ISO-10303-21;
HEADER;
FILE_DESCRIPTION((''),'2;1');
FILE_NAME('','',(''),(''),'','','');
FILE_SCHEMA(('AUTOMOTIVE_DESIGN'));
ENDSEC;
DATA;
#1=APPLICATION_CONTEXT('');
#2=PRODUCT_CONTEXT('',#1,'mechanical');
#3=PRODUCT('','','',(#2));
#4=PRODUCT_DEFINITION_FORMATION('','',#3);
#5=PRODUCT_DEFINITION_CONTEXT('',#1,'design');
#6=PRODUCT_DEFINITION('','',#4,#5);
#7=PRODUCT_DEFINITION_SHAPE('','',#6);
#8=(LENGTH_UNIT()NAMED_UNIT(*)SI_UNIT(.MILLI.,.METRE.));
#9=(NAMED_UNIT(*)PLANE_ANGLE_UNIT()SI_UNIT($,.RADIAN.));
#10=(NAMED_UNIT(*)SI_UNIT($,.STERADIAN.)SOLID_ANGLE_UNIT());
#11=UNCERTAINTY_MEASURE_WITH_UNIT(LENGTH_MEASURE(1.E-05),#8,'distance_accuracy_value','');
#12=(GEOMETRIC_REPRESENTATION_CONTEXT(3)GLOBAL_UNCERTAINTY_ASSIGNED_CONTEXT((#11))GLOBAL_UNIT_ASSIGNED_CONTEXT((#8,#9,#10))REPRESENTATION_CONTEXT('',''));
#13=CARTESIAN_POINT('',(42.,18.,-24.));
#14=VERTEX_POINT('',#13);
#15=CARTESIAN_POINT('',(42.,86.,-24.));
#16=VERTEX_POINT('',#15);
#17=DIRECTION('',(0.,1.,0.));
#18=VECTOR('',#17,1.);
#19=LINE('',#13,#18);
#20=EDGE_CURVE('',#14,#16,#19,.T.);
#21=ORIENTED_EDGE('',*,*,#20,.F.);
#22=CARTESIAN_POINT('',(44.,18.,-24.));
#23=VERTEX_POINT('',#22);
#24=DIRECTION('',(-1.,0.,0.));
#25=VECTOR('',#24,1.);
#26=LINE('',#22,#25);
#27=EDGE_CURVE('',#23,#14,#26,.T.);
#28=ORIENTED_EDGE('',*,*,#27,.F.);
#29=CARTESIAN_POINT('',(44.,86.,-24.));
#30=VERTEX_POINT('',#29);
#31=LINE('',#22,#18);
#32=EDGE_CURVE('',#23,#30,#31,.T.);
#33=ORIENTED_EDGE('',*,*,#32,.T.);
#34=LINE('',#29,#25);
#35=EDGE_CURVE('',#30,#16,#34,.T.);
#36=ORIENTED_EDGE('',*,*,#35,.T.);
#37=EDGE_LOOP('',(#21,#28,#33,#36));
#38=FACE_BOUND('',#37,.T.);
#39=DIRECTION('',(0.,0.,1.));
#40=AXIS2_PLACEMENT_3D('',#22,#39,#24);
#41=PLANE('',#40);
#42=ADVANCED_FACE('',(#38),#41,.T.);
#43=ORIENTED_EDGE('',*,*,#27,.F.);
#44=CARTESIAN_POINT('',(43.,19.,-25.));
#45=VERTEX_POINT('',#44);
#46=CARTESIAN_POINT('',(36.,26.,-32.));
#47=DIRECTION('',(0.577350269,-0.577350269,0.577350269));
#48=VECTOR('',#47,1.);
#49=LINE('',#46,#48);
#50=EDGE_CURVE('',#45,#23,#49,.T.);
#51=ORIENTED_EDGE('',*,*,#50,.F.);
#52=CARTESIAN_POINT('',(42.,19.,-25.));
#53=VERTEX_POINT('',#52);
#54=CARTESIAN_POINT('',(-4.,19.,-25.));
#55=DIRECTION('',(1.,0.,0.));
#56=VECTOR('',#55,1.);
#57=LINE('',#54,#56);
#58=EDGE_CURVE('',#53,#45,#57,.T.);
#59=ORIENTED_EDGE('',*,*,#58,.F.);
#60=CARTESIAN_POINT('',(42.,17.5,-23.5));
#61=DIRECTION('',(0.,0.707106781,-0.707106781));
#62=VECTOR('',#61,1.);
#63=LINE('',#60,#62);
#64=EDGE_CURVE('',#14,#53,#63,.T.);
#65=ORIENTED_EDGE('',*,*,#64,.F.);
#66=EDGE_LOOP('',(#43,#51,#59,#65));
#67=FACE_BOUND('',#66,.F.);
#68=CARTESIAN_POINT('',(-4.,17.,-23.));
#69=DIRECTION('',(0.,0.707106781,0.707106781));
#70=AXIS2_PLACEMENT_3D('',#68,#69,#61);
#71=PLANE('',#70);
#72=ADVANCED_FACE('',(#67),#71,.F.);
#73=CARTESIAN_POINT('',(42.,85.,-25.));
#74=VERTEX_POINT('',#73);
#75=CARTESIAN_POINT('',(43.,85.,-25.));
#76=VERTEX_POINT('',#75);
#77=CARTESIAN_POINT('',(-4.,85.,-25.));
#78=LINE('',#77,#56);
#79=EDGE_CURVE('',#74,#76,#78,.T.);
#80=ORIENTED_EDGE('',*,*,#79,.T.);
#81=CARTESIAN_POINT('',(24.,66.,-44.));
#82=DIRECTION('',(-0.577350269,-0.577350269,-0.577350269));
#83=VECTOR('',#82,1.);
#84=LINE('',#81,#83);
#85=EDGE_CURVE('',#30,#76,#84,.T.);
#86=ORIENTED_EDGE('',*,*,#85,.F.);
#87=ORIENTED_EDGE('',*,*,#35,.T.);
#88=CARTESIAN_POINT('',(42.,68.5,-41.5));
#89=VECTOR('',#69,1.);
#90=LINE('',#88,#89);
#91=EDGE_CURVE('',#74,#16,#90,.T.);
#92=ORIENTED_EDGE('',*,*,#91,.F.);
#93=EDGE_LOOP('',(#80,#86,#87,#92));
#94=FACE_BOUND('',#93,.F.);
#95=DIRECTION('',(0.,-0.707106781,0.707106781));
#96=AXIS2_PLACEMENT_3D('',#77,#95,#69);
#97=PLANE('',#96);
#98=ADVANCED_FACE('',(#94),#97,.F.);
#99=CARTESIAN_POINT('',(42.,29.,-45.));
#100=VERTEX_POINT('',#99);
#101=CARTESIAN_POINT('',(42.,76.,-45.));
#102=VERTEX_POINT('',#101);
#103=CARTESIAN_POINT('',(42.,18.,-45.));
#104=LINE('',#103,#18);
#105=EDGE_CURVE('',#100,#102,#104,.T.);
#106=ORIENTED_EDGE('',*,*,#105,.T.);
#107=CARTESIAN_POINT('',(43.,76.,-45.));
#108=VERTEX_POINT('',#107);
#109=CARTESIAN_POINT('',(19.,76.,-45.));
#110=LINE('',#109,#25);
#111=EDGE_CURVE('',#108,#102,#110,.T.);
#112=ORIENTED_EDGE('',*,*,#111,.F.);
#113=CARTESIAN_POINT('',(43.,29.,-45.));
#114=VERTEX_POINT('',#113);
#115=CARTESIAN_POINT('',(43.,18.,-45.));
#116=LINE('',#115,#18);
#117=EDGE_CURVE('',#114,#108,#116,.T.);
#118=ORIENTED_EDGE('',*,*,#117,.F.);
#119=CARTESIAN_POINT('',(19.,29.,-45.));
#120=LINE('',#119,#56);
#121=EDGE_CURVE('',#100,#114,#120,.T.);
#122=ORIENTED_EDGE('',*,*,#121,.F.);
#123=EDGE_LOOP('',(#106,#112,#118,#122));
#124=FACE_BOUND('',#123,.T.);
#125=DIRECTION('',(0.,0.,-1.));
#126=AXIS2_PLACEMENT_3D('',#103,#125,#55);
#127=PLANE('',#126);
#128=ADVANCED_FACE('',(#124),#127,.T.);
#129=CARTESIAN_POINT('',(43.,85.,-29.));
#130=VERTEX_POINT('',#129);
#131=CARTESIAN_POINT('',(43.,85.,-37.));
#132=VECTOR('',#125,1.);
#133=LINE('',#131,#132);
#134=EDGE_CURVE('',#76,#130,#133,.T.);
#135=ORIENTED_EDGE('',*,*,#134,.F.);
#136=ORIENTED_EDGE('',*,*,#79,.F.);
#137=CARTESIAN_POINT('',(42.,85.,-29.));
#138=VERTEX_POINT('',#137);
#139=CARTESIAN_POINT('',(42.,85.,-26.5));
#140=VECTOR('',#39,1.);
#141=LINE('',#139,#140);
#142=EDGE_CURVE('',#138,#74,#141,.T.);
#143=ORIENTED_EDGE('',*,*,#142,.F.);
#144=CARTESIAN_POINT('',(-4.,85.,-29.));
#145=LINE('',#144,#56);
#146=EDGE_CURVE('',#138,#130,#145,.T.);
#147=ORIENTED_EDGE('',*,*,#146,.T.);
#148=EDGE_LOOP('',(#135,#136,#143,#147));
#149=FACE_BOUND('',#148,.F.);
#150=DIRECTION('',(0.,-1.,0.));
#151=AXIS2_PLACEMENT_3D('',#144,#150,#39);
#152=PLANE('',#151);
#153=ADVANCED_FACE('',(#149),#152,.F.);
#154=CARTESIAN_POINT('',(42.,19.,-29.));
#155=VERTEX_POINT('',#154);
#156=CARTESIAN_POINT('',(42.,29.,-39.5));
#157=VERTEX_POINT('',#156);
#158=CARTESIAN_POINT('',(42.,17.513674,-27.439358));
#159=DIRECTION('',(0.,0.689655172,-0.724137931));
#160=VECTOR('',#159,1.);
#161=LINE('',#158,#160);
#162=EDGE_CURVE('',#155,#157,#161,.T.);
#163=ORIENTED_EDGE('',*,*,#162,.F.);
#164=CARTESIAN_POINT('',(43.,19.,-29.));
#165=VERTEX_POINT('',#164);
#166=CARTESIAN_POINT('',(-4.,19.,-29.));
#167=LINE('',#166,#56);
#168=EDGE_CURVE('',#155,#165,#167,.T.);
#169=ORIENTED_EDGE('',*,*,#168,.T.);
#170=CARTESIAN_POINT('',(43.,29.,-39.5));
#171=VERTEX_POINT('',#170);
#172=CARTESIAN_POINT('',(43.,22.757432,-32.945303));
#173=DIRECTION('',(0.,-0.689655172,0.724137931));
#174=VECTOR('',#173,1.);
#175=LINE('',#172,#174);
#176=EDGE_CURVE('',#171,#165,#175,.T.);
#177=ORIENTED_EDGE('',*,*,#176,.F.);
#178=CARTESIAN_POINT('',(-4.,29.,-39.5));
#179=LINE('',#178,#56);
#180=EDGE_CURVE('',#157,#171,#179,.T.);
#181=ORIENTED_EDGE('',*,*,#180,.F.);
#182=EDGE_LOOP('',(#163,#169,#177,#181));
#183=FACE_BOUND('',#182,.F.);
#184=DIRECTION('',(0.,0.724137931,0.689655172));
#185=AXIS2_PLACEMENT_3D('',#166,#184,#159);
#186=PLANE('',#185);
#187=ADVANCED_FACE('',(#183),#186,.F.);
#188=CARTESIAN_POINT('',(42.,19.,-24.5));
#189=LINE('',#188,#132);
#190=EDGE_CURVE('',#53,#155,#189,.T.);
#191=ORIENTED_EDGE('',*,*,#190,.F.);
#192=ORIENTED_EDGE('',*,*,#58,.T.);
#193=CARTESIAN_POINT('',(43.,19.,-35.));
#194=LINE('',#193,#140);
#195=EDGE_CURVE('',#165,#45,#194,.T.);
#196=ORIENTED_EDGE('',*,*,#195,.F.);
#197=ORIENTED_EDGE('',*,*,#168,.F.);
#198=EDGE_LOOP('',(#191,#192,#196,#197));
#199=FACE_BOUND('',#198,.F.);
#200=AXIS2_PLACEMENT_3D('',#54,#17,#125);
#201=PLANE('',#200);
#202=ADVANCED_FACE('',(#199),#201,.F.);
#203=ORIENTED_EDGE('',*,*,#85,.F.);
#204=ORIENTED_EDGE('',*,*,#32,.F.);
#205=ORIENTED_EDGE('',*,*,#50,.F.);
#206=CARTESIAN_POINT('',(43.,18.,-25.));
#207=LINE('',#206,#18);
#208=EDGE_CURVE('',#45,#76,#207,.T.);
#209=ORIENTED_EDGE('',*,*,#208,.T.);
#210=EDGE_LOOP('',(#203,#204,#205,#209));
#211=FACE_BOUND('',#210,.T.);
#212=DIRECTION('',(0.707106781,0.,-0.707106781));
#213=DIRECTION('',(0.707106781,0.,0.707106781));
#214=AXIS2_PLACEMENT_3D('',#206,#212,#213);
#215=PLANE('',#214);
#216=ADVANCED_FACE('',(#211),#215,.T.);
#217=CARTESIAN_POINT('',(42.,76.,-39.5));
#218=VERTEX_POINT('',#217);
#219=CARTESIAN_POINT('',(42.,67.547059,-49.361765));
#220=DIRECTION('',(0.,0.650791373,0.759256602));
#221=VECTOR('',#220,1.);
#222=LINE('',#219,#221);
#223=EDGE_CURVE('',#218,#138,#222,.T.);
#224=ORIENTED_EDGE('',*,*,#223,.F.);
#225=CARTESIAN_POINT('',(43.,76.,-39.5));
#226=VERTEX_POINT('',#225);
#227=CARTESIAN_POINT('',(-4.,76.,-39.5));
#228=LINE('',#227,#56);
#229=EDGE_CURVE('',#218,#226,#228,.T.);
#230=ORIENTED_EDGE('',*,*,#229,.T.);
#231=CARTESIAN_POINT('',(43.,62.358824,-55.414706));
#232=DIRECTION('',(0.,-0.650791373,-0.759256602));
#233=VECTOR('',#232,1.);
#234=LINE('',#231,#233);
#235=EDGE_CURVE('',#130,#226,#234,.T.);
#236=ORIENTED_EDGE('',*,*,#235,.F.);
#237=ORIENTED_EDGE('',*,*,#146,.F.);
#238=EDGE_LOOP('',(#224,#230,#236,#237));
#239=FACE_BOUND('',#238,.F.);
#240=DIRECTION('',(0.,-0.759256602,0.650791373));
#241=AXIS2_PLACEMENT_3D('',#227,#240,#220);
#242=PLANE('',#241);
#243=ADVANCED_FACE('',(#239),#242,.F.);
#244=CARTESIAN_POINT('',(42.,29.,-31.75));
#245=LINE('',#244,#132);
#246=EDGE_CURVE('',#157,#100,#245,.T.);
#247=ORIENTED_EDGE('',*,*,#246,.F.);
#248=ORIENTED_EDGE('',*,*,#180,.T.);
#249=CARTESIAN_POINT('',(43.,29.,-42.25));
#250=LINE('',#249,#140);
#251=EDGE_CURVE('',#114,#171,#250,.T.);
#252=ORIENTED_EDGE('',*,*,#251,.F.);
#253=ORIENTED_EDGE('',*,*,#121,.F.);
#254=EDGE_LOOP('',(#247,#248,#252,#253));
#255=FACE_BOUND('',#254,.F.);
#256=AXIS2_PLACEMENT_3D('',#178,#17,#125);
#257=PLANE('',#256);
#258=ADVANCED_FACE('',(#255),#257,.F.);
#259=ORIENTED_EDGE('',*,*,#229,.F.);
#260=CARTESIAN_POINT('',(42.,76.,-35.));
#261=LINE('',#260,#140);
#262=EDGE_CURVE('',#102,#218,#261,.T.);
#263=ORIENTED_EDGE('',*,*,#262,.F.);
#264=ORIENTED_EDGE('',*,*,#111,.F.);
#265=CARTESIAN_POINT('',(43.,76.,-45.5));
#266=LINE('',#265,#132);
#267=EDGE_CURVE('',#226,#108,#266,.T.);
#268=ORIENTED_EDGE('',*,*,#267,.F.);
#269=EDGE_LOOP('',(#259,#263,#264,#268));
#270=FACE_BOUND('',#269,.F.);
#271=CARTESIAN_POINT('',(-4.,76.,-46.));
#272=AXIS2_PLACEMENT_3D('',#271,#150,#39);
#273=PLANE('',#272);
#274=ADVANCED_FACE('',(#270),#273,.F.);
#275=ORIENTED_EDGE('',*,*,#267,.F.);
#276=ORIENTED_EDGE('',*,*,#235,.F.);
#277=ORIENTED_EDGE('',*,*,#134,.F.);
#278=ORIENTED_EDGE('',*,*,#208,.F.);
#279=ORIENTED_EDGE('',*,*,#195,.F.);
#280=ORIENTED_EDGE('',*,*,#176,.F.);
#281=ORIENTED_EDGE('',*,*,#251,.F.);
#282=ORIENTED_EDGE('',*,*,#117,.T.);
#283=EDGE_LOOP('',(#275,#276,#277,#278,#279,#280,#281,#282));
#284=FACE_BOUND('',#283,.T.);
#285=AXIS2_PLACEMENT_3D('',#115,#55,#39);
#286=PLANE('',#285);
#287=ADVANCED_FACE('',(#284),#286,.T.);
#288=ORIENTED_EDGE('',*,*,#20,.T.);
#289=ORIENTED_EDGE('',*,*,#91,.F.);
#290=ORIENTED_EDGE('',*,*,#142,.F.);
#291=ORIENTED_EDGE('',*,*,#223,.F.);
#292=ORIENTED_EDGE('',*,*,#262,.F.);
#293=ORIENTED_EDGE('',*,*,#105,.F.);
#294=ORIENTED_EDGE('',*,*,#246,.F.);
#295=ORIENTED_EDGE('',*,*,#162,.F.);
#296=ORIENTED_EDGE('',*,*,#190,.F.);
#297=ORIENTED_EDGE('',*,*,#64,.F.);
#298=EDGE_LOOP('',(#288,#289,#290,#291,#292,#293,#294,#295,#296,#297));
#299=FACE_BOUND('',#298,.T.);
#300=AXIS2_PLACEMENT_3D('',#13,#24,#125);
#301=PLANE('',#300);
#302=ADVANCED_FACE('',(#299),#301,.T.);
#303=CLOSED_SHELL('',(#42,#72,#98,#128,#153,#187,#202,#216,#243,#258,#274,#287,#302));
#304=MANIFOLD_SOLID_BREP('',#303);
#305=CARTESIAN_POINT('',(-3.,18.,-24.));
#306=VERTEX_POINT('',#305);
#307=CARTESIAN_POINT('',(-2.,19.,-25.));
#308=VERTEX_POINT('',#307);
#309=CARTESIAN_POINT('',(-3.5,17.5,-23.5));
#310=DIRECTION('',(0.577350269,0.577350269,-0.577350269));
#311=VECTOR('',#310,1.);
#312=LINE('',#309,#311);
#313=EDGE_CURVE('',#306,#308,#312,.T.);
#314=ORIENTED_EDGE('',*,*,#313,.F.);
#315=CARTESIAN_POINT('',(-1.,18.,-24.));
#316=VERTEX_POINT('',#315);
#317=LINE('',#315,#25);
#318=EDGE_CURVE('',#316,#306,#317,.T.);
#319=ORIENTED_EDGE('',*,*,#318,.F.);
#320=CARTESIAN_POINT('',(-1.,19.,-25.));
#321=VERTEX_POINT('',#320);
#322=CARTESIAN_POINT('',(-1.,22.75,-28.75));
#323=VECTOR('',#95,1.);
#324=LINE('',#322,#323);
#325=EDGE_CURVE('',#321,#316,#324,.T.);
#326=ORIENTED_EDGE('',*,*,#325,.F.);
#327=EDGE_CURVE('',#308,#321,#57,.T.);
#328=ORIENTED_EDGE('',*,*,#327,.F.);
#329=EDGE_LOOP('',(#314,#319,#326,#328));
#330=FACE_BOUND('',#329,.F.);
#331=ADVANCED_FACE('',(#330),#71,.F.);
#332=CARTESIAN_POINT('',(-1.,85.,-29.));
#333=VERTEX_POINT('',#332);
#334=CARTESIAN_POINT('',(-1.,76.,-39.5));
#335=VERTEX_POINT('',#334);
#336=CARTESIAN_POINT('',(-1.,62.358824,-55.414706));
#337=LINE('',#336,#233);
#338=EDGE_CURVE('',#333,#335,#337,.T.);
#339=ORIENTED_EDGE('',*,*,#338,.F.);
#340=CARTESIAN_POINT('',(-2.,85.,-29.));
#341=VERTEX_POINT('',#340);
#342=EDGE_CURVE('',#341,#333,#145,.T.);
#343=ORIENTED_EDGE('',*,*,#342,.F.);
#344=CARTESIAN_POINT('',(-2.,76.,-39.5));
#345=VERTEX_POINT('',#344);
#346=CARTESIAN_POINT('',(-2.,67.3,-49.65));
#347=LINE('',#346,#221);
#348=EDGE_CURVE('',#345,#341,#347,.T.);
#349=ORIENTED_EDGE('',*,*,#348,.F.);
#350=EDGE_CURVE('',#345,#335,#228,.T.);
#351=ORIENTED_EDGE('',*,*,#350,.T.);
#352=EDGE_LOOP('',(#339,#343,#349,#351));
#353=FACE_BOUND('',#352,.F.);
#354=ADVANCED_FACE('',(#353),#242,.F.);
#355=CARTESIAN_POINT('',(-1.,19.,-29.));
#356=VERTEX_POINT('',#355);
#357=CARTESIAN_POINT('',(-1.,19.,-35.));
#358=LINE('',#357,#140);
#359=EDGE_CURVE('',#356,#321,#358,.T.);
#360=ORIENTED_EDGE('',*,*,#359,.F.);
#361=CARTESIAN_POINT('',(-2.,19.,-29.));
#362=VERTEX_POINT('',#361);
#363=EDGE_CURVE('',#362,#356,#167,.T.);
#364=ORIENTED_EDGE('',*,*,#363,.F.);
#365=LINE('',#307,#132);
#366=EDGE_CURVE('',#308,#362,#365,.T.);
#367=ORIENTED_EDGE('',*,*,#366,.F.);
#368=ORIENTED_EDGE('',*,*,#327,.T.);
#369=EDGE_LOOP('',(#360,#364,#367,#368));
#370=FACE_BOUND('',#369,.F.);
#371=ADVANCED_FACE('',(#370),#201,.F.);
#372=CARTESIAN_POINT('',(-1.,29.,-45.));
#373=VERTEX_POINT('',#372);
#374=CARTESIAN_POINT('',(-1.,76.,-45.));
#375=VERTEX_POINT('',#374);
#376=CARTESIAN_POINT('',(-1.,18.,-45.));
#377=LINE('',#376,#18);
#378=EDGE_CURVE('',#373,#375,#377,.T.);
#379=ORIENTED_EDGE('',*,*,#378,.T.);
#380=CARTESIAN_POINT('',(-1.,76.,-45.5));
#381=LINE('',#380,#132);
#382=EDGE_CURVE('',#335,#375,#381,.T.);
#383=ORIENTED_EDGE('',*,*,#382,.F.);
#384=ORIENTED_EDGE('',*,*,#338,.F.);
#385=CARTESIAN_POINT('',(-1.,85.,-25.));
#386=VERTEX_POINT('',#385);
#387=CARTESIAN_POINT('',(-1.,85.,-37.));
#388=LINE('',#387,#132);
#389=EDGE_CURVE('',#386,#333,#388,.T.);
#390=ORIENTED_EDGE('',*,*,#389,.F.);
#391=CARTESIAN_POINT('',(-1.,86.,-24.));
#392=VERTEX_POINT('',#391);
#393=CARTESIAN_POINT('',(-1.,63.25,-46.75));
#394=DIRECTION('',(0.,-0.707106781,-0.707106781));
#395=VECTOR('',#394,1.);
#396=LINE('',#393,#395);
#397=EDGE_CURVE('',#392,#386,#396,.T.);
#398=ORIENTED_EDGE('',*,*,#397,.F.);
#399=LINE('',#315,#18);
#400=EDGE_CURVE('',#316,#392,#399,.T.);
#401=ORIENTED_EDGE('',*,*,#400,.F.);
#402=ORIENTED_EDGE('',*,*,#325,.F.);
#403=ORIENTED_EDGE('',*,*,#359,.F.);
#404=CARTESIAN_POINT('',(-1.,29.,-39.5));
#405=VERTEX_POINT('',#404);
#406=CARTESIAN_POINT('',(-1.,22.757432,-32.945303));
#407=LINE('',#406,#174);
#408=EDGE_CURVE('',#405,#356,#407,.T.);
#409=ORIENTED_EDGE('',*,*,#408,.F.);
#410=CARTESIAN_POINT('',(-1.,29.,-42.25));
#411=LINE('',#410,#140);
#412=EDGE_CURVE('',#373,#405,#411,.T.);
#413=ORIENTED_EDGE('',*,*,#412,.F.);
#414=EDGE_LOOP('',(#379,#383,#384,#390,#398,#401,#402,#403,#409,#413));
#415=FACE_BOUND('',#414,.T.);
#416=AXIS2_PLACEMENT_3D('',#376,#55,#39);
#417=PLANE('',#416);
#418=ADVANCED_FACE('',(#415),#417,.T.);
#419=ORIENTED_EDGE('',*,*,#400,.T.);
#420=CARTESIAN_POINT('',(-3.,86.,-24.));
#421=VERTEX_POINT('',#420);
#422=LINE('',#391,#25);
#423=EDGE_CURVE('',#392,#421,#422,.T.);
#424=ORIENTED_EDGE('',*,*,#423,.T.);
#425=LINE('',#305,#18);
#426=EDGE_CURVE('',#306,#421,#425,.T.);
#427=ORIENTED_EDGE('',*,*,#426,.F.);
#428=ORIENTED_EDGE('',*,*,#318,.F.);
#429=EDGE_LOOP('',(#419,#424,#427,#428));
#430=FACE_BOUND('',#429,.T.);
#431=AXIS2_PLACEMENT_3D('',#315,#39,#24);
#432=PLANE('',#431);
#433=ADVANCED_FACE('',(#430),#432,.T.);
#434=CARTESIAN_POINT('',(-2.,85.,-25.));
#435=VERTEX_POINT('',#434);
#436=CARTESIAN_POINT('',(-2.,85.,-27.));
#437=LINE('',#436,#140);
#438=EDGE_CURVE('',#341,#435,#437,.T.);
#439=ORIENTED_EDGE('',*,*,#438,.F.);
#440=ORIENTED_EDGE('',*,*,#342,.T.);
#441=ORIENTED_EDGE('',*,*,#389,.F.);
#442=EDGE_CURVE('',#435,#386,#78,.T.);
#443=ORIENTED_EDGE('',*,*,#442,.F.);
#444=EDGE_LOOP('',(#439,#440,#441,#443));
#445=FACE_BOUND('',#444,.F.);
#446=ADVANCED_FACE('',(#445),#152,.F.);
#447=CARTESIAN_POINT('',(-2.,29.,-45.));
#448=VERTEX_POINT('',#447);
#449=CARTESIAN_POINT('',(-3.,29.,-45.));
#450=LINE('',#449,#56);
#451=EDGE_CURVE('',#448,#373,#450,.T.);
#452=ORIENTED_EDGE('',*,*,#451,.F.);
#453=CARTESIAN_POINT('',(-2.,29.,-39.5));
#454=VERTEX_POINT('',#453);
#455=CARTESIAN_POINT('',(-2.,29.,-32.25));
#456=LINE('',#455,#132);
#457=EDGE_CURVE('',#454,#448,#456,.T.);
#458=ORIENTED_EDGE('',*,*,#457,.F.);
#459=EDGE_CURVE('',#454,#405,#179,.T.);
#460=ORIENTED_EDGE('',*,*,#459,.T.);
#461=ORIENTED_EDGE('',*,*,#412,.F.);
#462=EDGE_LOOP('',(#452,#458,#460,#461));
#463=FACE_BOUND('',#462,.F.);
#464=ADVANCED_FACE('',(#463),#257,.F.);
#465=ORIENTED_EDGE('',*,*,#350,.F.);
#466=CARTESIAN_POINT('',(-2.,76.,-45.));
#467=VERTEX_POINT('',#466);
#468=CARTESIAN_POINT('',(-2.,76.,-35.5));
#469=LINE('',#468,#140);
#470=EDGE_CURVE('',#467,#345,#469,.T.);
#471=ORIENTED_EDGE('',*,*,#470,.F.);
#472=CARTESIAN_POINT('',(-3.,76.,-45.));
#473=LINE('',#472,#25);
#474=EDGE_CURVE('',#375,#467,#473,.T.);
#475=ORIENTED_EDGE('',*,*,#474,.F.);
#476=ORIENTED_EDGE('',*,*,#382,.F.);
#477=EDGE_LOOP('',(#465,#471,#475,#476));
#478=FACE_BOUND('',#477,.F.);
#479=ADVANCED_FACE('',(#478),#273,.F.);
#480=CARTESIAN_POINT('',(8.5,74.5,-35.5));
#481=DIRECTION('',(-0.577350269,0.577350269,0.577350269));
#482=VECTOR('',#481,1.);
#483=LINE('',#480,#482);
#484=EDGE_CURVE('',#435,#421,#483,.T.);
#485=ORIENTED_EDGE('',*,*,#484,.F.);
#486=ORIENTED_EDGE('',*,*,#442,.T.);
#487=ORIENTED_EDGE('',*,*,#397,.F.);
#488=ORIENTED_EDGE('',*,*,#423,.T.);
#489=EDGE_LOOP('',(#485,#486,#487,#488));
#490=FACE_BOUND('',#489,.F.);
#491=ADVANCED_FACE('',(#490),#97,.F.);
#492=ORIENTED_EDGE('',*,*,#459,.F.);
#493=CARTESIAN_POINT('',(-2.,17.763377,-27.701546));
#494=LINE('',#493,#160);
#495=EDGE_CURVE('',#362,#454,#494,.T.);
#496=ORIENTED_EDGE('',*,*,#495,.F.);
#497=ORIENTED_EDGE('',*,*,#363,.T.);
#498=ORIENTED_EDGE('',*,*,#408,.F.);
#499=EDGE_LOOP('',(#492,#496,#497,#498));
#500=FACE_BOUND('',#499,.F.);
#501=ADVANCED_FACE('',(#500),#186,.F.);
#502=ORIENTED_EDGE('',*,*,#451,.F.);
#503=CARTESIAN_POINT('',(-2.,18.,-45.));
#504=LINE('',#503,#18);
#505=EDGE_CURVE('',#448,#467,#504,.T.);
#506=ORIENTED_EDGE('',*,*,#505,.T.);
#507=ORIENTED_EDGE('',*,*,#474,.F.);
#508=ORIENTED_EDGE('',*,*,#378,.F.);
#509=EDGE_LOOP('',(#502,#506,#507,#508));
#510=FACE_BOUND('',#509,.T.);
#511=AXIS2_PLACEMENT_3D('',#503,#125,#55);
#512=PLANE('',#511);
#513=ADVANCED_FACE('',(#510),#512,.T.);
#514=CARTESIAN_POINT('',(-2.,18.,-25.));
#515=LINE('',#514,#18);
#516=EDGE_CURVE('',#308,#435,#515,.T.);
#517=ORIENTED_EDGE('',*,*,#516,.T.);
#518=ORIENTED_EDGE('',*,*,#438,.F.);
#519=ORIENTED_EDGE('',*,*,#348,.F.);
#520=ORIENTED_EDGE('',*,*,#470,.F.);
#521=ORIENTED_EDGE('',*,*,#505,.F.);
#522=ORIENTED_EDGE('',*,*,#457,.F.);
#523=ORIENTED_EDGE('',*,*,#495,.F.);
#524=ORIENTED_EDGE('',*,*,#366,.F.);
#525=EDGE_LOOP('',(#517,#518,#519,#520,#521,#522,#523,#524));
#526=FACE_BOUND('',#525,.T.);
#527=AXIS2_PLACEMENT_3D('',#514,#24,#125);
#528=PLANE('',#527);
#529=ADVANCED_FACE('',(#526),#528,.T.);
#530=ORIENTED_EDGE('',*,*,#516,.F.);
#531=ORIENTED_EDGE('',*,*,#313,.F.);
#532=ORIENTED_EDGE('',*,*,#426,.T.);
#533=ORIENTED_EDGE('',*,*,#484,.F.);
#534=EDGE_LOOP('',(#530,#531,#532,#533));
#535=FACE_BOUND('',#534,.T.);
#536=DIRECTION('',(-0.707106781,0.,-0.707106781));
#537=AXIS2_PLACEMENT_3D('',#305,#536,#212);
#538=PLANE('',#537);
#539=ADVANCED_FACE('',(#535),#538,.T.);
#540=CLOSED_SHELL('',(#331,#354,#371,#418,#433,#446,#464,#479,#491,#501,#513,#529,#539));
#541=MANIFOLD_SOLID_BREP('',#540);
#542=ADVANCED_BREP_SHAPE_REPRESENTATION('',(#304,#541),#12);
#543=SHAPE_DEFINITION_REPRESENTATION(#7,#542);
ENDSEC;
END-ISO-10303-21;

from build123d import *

# Parameters (mm, degrees)
EXTRUDE090_DEPTH = 50
EXTRUDE087_DEPTH = 68


with BuildPart() as extrude090:
    # Sketch099 → Extrude090 (new body)
    with BuildSketch(Plane.YZ.offset(-4)):
        Polygon((17, -23), (19, -25), (19, -29), (29, -39.5), (29, -46), (17, -46), align=None)
        Polygon((76, -46), (76, -39.5), (85, -29), (85, -25), (87, -23), (87, -46), align=None)
    extrude(amount=EXTRUDE090_DEPTH)


with BuildPart() as cut014:
    # Sketch096 → Extrude087 (new body)
    with BuildSketch(Plane.XZ.offset(-18)):
        Polygon((-1, -45), (-1, -24), (-3, -24), (-2, -25), (-2, -45), align=None)
        Polygon((42, -24), (42, -45), (43, -45), (43, -25), (44, -24), align=None)
    extrude(amount=-EXTRUDE087_DEPTH)

    # Cut014: cut Extrude090
    add(extrude090.part, mode=Mode.SUBTRACT)


solid = cut014.part
